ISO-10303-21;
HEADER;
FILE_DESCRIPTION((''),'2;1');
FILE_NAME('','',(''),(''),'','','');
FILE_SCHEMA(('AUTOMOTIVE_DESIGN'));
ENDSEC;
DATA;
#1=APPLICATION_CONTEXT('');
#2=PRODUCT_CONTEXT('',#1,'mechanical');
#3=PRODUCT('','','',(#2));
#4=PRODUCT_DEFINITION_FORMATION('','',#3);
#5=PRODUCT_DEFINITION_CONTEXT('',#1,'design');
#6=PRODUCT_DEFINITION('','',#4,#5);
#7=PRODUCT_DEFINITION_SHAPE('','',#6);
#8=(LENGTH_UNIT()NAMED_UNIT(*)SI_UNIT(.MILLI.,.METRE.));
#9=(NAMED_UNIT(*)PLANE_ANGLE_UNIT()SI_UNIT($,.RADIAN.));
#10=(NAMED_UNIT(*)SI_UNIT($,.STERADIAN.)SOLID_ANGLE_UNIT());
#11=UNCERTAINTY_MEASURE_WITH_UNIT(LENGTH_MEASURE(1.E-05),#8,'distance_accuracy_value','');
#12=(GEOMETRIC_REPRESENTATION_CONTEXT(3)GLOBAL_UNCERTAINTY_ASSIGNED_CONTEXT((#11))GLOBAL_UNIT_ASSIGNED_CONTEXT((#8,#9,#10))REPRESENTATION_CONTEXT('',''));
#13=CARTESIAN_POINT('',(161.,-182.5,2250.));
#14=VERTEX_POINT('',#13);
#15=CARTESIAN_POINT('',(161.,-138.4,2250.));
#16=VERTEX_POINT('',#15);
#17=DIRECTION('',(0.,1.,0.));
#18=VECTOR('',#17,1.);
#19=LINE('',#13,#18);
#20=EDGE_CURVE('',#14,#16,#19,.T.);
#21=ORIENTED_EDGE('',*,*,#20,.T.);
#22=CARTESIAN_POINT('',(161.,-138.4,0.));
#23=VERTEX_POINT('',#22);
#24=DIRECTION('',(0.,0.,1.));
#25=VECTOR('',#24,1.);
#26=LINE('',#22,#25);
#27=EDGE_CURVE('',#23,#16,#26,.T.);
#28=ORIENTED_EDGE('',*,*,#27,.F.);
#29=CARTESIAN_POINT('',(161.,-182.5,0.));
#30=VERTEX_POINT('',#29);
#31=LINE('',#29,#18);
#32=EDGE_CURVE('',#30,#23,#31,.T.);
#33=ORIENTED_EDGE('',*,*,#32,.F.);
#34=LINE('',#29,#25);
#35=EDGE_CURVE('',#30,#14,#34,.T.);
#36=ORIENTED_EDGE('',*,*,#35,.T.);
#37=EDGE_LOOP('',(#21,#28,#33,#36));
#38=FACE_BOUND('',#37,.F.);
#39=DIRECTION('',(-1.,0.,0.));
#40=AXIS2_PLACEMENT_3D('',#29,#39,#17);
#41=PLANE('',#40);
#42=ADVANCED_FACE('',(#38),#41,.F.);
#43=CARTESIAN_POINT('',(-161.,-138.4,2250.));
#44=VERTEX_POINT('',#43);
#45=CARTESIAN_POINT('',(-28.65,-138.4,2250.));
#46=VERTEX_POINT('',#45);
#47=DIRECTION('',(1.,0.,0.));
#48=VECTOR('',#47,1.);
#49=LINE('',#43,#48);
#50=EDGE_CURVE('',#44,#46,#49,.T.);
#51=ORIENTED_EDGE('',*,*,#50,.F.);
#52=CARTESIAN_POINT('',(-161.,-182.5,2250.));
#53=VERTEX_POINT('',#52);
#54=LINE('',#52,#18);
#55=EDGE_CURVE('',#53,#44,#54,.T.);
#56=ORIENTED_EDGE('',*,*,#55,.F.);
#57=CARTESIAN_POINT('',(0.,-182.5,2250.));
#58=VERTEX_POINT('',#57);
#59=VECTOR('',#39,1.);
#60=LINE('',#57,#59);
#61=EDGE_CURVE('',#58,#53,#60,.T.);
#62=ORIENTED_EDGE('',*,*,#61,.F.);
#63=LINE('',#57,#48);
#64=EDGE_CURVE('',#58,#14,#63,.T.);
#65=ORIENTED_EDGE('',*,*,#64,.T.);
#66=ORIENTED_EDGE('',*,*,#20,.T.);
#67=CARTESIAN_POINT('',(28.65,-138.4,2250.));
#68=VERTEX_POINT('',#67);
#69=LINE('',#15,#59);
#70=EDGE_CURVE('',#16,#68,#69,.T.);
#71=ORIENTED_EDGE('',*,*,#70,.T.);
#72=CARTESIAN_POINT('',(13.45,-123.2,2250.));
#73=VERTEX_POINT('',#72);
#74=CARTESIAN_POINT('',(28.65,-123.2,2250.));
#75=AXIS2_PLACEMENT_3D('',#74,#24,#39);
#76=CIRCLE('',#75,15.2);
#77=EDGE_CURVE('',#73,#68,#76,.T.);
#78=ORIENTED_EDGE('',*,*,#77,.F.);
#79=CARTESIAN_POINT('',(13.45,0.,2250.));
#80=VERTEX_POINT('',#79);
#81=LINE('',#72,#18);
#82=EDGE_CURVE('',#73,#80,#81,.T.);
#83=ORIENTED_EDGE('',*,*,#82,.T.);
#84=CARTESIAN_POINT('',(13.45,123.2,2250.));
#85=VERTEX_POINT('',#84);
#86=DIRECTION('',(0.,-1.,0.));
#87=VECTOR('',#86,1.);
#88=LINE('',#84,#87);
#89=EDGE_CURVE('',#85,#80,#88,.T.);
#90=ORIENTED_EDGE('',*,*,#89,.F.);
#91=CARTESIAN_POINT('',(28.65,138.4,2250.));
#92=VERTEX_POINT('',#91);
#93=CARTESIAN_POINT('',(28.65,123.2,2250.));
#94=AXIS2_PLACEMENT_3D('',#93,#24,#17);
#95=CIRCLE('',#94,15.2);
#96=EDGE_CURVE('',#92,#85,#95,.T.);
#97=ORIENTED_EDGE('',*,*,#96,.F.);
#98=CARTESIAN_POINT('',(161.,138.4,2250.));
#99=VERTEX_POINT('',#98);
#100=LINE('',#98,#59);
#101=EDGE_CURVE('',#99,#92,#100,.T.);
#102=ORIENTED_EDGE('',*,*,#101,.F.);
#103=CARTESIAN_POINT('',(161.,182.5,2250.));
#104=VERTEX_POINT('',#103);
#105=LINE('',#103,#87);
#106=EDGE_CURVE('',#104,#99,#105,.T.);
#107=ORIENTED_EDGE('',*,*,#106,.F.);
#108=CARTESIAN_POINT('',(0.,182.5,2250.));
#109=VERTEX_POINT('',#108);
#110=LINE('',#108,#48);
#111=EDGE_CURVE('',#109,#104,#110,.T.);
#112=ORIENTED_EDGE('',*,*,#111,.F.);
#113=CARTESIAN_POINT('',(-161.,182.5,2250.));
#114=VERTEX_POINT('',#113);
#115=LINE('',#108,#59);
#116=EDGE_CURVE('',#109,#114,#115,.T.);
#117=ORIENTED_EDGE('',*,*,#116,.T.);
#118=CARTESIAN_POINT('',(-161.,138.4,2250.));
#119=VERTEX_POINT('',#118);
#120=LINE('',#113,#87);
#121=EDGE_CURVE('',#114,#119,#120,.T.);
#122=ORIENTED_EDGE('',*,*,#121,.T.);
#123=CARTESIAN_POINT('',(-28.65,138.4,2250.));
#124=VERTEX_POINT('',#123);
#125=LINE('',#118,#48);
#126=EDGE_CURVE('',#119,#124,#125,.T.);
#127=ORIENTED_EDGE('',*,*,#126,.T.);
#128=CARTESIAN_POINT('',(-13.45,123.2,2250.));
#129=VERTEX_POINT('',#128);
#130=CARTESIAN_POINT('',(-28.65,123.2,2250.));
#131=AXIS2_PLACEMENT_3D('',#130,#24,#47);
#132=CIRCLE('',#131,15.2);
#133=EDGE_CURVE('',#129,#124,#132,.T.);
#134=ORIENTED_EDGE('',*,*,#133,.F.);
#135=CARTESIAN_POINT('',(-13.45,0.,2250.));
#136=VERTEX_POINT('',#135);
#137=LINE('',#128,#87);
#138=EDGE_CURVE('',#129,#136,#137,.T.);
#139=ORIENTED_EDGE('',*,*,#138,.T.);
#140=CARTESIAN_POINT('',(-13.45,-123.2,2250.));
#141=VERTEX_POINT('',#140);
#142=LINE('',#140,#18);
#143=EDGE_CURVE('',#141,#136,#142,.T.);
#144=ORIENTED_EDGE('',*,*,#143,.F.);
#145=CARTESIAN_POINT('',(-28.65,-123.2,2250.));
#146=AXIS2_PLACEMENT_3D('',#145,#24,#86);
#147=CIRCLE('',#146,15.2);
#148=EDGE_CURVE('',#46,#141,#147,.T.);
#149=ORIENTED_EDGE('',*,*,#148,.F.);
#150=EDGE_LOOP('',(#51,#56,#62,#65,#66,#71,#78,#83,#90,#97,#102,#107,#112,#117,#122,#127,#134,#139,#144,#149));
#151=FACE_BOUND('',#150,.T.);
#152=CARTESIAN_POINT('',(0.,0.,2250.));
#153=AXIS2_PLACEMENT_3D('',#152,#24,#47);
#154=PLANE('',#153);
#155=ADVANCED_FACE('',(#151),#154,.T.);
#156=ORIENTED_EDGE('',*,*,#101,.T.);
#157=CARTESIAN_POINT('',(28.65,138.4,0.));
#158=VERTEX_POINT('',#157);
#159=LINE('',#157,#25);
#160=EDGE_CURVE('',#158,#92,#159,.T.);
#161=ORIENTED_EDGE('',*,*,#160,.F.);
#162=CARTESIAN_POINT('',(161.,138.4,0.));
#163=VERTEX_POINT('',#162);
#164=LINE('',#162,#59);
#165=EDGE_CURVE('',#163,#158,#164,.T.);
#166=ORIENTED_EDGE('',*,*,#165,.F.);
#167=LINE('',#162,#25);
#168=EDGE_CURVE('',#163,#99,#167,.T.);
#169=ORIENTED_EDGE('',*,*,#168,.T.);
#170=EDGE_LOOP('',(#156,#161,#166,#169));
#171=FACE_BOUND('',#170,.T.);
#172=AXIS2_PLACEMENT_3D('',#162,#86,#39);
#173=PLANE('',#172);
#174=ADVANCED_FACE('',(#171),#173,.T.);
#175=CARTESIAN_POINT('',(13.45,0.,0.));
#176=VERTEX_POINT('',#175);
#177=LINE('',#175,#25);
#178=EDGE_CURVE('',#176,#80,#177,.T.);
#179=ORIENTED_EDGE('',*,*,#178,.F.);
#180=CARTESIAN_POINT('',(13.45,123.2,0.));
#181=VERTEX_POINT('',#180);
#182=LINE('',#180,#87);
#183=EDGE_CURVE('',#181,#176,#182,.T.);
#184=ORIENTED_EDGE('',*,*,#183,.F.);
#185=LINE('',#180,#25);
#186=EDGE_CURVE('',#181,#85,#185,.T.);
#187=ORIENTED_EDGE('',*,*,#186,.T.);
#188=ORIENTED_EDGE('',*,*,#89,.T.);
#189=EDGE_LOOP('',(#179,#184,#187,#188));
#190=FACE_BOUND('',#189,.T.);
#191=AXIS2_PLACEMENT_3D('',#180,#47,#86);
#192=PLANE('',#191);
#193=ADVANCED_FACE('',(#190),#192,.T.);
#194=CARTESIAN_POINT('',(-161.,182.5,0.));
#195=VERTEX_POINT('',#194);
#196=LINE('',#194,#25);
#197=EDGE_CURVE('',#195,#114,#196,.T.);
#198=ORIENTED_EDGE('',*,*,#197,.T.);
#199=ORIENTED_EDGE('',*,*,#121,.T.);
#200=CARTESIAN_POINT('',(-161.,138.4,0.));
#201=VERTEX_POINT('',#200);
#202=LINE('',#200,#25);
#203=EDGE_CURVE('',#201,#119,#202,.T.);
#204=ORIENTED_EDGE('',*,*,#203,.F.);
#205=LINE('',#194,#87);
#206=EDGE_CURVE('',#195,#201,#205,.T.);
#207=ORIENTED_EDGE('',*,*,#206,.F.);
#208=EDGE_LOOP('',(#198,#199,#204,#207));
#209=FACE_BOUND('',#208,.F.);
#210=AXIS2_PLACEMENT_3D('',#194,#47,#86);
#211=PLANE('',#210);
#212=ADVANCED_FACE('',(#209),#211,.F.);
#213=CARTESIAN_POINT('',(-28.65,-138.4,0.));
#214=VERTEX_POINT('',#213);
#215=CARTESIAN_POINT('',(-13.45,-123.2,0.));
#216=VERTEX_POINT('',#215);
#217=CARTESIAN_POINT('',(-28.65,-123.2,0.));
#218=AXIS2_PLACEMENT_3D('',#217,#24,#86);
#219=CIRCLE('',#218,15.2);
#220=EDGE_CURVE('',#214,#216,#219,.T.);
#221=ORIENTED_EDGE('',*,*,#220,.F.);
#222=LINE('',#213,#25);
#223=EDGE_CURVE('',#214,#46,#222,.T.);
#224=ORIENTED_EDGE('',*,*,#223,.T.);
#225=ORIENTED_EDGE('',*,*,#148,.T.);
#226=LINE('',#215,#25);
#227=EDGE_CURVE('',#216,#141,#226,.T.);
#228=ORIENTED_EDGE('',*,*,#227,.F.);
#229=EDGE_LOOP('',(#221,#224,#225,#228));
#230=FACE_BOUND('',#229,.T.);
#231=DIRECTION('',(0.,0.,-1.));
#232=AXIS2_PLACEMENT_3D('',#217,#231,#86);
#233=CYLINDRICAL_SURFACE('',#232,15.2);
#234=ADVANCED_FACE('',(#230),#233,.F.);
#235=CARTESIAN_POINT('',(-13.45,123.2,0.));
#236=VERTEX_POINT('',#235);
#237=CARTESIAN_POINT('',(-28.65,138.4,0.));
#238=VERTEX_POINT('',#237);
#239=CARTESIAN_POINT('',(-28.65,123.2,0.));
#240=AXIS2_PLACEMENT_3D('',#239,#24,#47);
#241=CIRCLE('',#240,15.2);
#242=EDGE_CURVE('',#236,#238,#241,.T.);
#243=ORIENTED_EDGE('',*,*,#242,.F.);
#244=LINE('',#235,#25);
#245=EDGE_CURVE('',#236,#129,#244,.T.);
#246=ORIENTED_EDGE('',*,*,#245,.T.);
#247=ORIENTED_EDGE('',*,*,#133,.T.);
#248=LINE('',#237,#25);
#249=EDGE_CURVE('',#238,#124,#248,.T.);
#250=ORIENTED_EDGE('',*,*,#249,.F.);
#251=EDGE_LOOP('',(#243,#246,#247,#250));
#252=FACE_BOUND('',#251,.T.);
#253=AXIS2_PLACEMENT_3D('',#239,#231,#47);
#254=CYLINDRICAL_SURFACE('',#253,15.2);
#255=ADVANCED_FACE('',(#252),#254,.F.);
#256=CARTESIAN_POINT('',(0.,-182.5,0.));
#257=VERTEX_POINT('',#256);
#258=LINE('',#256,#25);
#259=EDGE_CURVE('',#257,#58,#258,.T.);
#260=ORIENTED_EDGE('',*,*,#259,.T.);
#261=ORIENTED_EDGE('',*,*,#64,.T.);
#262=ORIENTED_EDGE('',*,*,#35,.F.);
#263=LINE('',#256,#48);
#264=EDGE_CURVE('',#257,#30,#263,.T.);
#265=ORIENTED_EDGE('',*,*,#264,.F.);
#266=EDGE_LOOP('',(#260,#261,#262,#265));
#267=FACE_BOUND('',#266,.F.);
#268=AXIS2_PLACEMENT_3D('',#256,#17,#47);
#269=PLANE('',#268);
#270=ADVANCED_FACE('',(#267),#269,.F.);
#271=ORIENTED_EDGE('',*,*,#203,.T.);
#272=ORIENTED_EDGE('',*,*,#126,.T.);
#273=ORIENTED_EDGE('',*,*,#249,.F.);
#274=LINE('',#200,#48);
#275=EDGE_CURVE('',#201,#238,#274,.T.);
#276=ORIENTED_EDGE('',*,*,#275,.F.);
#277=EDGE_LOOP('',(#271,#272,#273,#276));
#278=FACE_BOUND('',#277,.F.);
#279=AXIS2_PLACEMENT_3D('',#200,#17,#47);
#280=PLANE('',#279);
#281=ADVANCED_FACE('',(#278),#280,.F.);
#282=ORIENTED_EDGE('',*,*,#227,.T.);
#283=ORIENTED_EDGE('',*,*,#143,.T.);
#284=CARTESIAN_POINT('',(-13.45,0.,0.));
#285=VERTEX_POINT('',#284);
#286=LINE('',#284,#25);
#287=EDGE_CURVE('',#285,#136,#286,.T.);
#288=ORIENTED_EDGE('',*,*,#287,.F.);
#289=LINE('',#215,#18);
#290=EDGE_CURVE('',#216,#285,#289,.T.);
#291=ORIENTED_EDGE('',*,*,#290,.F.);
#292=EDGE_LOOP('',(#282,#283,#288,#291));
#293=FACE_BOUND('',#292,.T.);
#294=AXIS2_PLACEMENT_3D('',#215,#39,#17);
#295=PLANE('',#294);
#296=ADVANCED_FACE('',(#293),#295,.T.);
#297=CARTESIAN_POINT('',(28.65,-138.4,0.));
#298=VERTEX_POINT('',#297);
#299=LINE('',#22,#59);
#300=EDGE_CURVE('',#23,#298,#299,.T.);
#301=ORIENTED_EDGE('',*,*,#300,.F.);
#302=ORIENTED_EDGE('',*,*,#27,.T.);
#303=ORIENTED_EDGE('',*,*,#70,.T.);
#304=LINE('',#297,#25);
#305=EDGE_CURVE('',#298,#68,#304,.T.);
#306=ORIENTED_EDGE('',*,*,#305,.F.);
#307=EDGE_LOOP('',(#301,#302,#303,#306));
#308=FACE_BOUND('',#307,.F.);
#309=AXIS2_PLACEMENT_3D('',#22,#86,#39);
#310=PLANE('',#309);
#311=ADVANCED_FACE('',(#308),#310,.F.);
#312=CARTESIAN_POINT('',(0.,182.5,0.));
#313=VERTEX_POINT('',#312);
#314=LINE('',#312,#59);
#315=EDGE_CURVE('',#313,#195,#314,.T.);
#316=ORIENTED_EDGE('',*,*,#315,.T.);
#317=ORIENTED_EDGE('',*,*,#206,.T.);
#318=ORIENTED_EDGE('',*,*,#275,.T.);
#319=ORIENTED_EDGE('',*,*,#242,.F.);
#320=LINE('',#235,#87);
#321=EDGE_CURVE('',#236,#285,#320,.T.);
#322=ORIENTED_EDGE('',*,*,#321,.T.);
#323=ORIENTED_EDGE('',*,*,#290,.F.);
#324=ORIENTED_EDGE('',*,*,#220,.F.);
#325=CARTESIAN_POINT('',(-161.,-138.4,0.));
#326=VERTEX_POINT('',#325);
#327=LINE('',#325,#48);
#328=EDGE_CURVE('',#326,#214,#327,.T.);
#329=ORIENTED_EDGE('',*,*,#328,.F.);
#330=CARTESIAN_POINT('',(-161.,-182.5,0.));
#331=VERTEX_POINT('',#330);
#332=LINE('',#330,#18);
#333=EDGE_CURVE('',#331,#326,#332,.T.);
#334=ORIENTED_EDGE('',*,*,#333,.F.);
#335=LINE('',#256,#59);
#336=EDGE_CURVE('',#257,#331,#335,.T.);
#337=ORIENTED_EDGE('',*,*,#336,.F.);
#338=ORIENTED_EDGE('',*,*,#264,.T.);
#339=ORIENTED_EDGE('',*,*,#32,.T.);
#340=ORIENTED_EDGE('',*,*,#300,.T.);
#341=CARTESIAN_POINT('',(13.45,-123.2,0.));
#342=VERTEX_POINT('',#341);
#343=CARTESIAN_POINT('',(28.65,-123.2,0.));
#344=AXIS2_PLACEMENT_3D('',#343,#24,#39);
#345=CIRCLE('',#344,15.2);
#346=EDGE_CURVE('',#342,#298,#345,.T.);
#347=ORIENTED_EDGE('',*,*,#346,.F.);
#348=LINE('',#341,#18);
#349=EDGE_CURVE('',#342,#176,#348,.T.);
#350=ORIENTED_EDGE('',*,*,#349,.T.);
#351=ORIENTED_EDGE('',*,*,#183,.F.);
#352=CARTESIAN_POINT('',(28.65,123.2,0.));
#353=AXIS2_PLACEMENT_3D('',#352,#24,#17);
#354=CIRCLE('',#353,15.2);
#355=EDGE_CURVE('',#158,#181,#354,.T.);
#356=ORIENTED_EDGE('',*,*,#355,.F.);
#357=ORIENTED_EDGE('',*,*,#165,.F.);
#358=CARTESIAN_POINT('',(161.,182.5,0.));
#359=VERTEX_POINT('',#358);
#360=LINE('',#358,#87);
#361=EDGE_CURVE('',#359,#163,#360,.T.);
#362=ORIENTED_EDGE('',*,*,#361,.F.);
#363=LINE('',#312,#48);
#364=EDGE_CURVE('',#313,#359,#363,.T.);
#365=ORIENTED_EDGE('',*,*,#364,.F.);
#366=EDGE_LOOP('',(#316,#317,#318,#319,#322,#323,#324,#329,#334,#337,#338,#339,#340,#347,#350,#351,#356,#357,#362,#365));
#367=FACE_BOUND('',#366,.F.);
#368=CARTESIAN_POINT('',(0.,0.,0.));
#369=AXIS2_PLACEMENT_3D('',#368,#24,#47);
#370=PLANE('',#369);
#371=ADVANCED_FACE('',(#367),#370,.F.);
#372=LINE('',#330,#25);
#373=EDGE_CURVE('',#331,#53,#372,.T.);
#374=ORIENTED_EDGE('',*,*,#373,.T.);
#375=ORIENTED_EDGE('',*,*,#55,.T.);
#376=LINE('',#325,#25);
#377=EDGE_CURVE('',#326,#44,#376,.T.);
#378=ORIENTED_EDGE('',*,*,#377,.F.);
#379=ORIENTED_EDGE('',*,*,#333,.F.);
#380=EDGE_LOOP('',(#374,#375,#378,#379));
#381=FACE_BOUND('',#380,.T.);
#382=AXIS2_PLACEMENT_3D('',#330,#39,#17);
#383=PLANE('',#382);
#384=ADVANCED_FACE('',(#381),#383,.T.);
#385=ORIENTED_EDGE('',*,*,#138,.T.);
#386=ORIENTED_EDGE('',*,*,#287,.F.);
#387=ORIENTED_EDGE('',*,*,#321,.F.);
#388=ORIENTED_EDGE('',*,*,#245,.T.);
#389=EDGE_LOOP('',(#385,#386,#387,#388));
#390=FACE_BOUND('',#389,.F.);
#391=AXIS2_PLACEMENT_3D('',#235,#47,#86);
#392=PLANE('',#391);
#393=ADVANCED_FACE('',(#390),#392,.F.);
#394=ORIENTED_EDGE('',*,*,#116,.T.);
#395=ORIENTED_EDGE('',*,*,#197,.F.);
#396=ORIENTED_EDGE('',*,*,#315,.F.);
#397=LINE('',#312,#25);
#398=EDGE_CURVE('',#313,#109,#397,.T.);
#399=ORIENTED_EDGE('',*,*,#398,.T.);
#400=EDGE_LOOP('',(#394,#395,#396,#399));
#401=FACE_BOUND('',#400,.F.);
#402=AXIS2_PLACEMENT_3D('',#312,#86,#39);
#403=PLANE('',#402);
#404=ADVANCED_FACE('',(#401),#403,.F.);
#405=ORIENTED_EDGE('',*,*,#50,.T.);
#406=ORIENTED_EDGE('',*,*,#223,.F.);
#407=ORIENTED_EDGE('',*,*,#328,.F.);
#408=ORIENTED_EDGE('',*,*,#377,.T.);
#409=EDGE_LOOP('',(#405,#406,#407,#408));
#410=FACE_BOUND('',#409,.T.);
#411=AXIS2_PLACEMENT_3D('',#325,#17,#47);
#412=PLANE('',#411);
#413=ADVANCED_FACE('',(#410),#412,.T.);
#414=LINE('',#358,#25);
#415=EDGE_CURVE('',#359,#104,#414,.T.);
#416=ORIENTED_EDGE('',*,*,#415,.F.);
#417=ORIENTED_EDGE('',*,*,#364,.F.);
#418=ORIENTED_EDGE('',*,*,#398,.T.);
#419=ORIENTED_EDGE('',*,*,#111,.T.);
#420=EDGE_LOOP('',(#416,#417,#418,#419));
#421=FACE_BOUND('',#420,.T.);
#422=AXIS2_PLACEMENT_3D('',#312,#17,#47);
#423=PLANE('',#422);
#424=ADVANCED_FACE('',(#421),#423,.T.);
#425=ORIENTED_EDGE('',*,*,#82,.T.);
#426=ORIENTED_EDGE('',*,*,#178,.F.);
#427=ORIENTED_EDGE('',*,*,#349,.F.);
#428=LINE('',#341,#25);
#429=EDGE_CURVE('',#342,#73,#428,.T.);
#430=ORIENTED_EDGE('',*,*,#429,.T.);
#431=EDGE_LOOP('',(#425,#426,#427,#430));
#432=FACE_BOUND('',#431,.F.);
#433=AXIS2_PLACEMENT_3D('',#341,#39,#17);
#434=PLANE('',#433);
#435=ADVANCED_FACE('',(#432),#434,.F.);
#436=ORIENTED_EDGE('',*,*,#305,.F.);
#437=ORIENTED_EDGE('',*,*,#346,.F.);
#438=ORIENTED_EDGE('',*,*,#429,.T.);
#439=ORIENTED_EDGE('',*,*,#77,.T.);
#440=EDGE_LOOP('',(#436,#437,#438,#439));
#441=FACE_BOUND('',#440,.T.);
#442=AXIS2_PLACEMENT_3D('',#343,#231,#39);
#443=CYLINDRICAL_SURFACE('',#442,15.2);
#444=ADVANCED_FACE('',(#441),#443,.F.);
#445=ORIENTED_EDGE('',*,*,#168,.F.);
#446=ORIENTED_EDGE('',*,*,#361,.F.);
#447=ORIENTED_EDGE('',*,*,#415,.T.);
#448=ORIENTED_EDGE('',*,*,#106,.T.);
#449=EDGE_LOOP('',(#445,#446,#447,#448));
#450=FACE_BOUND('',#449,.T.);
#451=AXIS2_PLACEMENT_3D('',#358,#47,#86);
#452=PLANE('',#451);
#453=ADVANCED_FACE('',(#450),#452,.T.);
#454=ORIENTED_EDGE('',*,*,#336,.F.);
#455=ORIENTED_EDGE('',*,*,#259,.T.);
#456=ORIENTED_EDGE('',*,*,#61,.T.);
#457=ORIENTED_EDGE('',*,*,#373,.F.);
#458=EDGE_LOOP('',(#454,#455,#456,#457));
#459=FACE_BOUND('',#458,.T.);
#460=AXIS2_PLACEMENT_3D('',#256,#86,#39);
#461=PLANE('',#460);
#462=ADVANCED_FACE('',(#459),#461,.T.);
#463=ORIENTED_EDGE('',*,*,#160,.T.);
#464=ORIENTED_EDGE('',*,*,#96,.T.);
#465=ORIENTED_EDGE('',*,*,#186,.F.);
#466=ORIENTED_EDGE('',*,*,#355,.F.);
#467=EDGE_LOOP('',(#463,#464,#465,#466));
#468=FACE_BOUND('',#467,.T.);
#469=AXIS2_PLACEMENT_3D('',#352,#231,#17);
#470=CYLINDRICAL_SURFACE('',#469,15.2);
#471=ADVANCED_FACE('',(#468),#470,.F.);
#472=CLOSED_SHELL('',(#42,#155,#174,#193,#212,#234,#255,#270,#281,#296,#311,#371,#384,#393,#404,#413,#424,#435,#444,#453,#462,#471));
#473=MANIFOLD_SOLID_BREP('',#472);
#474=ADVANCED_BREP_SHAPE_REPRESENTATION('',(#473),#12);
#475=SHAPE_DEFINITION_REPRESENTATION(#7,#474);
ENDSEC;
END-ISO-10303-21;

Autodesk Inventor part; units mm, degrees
ref_plane "YZ Plane" through (0, 0, 0) normal (1, 0, 0) x (0, 1, 0)
ref_plane "Start plane" through (0, 0, 0) normal (0, 0, 1) x (1, 0, 0)
ref_plane "End plane" through (0, 0, 2250) normal (0, 0, 1) x (1, 0, 0)
sketch "Sketch" plane through (0, 0, 0) normal (0, 0, 1) x (1, 0, 0)
  line L0 (-161, -182.5) -> (-161, -138.4)
  line L1 (-161, -138.4) -> (-28.65, -138.4)
  line L2 (-13.45, -123.2) -> (-13.45, 0)
  line L3 (-13.45, 0) -> (0, 0) construction
  line L4 (0, 0) -> (0, -182.5) construction
  line L5 (0, -182.5) -> (-161, -182.5)
  line L6 (-60, 0) -> (80, 0) construction
  line L7 (0, -60) -> (0, 80) construction
  line L8 (161, -182.5) -> (161, -138.4)
  line L9 (161, -138.4) -> (28.65, -138.4)
  line L10 (13.45, -123.2) -> (13.45, 0)
  line L11 (13.45, 0) -> (0, 0) construction
  line L12 (0, -182.5) -> (161, -182.5)
  line L13 (-161, 182.5) -> (-161, 138.4)
  line L14 (-161, 138.4) -> (-28.65, 138.4)
  line L15 (-13.45, 123.2) -> (-13.45, 0)
  line L16 (0, 182.5) -> (-161, 182.5)
  line L17 (161, 182.5) -> (161, 138.4)
  line L18 (161, 138.4) -> (28.65, 138.4)
  line L19 (0, 182.5) -> (161, 182.5)
  line L20 (13.45, 123.2) -> (13.45, 0)
  arc A0 (-13.45, 123.2) -> (-28.65, 138.4) centre (-28.65, 123.2) ccw
  arc A1 (28.65, 138.4) -> (13.45, 123.2) centre (28.65, 123.2) ccw
  arc A2 (13.45, -123.2) -> (28.65, -138.4) centre (28.65, -123.2) ccw
  arc A3 (-28.65, -138.4) -> (-13.45, -123.2) centre (-28.65, -123.2) ccw
  line L21 (0, 108) -> (0, -88) construction
  line L22 (-88, 0) -> (108, 0) construction
  point P0 (-13.45, -138.4)
  point P1 (13.45, -138.4)
  point P2 (-13.45, 138.4)
  point P3 (13.45, 138.4)
  dimension "d1" = 182.5
  dimension "d2" = 44.1
  dimension "d3" = 161
  dimension "d4" = 13.45
  dimension "d10" = 15.2
extrude "Body" add sketch "Sketch" along normal up to surface (2250 mm away) from surface at 0
sketch "Sketch4" plane through (0, 0, 0) normal (0, 0, 1) x (1, 0, 0)
  line L0 (0, 0) -> (10, 0)
ref_plane "Work Plane3" through (0, 0, 0) normal (0, -1, 0) x (1, 0, 0)
sketch "Sketch5" plane through (0, 0, 0) normal (0, -1, 0) x (1, 0, 0)
  line L0 (-2, 0) -> (12, 0) projected
  line L1 (-2, 2250) -> (12, 2250) projected
  dimension "d14" = 2250
equation "\"d1\" = 0.5 * G_H"
equation "\"d2\" = G_T1"
equation "\"d3\" = 0.5 * G_W"
equation "\"d4\" = 0.5 * G_T"
equation "\"d10\" = G_IR"
equation "\"d5\" = G_L"
equation "\"G_W\" = 322"
equation "\"G_H\" = 365"
equation "\"G_T\" = 26.9"
equation "\"G_T1\" = 44.1"
equation "\"G_IR\" = 15.2"
equation "\"G_L\" = d14"
equation "\"G_OFFSET_START\" = 0"
equation "\"G_OFFSET_END\" = 0"
properties part number "AS 3679 - 310 UC - 283 - 2250" material "Steel, Mild"
